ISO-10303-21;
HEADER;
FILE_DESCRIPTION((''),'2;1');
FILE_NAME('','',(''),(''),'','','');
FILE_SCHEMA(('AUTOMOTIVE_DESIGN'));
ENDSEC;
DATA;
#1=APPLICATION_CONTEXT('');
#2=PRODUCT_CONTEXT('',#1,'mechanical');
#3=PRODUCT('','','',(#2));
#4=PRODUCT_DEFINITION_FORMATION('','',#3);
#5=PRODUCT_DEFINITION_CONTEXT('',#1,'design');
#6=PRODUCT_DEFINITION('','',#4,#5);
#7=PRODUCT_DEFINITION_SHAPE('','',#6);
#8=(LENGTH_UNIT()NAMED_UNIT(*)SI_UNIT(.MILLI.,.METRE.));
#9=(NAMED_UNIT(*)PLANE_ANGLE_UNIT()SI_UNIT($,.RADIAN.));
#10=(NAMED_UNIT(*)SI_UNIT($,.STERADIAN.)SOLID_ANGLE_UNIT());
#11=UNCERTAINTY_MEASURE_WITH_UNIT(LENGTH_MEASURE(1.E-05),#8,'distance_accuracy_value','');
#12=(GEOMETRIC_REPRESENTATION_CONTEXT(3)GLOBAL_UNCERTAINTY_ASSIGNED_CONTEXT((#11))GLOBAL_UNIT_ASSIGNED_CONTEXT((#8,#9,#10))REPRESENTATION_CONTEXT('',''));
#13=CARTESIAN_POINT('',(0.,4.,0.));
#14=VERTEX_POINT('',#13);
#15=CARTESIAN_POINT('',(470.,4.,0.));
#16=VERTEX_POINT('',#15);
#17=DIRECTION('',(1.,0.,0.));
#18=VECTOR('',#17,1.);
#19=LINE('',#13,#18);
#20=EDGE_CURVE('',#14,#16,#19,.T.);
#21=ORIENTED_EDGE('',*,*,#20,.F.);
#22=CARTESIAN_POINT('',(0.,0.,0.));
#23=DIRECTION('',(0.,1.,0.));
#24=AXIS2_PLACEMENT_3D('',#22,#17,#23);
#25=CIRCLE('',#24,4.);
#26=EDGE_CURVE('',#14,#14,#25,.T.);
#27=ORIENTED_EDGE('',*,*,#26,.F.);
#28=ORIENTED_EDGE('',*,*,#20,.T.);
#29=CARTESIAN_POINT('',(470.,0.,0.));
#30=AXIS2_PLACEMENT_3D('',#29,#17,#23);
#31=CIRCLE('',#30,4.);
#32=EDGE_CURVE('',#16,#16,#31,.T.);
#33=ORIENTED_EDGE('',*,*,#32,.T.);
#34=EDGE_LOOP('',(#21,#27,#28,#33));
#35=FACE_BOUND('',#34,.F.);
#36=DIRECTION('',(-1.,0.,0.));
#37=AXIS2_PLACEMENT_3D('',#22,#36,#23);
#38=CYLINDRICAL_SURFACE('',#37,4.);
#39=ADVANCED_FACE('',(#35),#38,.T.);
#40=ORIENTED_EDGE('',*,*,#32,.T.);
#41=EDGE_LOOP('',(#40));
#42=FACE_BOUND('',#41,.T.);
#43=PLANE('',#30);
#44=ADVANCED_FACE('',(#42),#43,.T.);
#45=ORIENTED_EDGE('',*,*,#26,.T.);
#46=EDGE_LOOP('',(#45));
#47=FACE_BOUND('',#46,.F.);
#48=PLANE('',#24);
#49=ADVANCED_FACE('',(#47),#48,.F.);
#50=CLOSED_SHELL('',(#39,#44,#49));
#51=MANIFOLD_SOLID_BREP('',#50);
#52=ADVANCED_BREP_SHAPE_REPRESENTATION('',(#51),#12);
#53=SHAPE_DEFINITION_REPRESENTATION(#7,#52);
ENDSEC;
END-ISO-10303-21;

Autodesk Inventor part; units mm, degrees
ref_plane "YZ Plane" through (0, 0, 0) normal (1, 0, 0) x (0, 1, 0)
ref_plane "XZ Plane" through (0, 0, 0) normal (0, 1, 0) x (-1, 0, 0)
ref_plane "XY Plane" through (0, 0, 0) normal (0, 0, 1) x (1, 0, 0)
sketch "스케치1" plane through (0, 0, 0) normal (1, 0, 0) x (0, 1, 0)
  circle A0 centre (0, 0) radius 4
  dimension "d0" = 8
extrude "돌출1" add sketch "스케치1" along normal blind 470
properties part number "연마봉 8pi 470mm"
